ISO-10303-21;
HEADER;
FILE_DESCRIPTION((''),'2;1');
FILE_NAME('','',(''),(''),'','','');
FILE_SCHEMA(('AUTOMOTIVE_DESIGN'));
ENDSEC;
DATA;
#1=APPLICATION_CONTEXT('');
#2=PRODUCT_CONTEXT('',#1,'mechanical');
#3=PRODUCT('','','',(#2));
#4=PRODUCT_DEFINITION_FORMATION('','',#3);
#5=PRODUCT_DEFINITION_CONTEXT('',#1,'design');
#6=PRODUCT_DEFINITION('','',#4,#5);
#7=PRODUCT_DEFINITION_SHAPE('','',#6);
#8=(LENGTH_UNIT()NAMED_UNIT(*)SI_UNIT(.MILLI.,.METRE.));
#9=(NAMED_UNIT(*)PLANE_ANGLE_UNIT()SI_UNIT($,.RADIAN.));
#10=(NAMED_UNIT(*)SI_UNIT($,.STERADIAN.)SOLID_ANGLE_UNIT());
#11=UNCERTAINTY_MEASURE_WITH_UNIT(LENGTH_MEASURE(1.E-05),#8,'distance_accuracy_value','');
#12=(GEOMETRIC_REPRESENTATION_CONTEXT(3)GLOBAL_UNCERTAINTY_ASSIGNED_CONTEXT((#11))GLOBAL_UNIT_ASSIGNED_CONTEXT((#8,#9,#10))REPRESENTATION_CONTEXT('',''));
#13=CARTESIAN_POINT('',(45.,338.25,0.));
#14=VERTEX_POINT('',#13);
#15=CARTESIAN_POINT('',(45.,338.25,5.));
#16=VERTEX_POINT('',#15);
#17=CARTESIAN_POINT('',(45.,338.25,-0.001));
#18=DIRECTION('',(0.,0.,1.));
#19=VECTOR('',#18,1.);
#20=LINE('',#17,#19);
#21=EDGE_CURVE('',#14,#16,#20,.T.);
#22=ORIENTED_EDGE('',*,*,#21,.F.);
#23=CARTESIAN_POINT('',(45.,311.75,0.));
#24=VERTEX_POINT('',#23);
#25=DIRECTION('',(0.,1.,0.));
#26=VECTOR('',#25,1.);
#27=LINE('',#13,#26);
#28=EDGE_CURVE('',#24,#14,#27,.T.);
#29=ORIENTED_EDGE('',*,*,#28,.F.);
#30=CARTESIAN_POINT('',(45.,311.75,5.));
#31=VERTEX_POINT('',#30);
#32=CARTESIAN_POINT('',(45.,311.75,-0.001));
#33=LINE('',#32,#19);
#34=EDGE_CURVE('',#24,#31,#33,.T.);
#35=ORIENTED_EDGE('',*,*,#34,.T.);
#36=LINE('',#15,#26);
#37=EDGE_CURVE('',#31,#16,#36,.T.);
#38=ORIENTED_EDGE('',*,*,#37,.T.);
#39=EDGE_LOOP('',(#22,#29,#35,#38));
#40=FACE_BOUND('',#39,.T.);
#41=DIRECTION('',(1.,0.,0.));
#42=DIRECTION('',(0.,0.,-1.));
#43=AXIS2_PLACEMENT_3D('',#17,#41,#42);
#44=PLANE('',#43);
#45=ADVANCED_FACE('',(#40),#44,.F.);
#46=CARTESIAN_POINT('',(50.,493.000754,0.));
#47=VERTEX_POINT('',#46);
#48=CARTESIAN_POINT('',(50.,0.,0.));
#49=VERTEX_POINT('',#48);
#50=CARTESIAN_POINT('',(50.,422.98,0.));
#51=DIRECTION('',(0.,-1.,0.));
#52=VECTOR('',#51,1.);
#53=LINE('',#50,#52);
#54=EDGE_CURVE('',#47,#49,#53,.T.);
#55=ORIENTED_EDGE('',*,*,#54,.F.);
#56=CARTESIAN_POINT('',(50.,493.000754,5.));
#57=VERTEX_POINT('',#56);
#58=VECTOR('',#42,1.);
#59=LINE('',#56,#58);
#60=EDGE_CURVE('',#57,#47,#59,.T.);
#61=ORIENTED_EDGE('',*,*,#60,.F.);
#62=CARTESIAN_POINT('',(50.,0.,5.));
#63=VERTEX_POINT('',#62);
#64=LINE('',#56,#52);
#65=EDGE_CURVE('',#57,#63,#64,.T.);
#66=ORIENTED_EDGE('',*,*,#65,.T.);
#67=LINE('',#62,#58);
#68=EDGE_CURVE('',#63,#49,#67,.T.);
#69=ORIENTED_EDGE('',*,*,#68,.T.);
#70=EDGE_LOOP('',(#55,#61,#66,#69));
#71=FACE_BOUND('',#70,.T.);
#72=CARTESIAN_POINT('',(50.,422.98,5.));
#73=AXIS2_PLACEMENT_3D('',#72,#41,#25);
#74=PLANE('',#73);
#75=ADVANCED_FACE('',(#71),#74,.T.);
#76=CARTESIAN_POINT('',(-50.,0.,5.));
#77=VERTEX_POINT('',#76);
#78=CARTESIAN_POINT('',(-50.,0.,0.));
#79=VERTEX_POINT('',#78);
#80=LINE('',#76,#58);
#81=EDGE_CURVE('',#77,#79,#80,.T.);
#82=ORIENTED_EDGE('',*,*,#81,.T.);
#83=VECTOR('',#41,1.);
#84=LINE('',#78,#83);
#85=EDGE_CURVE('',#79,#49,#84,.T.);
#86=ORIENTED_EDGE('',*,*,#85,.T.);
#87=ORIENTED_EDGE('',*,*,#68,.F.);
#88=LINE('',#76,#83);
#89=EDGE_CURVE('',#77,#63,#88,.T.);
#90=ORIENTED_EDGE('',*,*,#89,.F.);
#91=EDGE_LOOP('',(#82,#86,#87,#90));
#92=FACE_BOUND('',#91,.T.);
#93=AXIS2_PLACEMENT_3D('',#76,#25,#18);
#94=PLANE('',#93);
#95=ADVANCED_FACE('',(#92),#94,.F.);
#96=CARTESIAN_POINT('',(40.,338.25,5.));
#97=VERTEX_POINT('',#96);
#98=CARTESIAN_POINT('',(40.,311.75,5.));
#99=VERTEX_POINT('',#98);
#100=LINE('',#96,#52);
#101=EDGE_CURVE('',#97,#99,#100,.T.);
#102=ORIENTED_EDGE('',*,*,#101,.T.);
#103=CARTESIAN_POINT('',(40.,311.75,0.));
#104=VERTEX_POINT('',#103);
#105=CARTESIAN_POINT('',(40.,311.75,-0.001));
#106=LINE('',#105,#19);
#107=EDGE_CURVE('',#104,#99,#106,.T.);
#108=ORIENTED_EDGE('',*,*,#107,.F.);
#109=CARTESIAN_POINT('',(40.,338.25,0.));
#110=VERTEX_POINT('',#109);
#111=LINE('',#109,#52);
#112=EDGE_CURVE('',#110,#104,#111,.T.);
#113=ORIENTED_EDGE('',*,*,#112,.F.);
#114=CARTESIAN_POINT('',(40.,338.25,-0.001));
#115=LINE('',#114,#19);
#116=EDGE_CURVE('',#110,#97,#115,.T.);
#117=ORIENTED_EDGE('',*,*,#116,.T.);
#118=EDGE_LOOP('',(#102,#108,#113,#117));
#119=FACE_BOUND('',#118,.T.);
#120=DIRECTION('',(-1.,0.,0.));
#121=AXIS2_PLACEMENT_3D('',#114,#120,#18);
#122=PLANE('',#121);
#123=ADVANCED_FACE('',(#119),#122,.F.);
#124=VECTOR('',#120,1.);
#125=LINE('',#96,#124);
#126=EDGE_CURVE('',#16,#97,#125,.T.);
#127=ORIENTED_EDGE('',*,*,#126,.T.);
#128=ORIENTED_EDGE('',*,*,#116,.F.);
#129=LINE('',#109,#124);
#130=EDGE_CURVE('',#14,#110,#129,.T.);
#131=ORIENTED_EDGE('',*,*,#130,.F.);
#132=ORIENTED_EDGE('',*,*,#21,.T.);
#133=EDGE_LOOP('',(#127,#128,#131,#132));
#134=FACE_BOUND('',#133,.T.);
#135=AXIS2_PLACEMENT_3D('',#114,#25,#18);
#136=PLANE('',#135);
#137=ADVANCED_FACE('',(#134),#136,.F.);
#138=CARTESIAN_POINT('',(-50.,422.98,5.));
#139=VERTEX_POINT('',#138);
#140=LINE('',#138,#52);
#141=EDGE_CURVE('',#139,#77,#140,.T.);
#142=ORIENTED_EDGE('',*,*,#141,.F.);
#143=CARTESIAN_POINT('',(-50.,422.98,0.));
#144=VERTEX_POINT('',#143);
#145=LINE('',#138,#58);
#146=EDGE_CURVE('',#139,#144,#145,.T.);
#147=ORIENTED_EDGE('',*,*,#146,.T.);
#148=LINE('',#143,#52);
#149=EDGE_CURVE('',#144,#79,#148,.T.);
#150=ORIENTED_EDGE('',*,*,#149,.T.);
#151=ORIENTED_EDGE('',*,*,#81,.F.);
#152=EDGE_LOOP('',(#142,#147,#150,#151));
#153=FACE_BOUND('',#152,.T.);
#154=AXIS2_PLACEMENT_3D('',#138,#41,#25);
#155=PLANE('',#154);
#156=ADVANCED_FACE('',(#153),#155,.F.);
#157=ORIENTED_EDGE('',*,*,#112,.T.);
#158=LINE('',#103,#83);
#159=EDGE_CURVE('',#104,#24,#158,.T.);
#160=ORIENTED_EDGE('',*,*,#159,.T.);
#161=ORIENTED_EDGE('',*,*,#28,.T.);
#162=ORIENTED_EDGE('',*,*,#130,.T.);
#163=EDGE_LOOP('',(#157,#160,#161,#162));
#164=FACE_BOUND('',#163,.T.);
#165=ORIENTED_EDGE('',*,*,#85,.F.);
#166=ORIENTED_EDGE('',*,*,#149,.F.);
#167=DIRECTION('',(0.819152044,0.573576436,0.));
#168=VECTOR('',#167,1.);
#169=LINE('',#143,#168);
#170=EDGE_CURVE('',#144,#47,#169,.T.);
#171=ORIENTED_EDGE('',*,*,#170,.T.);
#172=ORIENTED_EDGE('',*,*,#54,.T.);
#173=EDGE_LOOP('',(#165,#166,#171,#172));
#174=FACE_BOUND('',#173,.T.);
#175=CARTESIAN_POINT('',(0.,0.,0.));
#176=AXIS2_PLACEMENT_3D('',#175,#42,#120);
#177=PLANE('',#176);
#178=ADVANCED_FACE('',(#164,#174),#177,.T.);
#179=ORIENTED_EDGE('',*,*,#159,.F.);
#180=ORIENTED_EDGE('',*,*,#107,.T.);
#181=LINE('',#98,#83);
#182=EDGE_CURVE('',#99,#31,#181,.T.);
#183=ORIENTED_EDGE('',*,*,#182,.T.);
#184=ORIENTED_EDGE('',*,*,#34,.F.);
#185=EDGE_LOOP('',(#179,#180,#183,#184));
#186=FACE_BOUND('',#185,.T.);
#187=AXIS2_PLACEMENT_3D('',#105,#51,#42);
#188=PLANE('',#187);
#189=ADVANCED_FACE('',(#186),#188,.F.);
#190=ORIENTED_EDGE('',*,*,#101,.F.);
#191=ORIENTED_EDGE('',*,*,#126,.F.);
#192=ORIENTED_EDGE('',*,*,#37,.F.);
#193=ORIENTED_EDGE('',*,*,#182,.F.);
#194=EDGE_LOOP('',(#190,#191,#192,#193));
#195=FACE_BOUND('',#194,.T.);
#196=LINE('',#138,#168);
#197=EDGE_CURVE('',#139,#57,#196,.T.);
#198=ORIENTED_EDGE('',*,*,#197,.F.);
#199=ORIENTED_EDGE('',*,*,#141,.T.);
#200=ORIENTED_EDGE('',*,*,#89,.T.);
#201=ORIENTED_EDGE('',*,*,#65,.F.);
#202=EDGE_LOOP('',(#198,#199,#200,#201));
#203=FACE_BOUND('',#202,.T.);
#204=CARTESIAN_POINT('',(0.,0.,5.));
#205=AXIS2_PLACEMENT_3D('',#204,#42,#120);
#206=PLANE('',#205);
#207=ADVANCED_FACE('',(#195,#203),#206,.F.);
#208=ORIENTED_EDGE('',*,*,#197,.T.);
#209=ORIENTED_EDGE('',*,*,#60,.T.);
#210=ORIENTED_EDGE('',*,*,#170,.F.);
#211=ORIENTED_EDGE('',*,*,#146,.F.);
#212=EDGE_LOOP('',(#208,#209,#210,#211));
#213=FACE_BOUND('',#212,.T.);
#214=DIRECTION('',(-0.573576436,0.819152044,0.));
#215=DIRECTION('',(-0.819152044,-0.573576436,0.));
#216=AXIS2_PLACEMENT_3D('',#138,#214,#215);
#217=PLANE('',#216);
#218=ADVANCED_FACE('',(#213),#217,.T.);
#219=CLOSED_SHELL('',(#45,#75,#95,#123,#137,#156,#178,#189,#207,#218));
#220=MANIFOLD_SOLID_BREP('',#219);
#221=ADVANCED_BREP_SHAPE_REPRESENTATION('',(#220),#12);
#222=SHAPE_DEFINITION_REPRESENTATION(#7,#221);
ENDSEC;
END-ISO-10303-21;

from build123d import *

# Parameters (mm, degrees)
BOSS_EXTRUDE1_DEPTH = 5
CUT_EXTRUDE1_REACH  = 7
SKETCH3_W           = 5
SKETCH3_H           = 26.5


with BuildPart() as part:
    # Sketch2 → Boss-Extrude1 (new body)
    with BuildSketch(Plane.XY):
        Polygon((-50, 422.98), (-50, 0), (50, 0), (50, 422.98), (50, 493.000753821), align=None)
    extrude(amount=BOSS_EXTRUDE1_DEPTH)

    # Sketch3 → Cut-Extrude1 (cut, up to next)
    with BuildSketch(Plane.XY.offset(5), mode=Mode.PRIVATE) as cut_extrude1_sk1:
        with Locations((42.5, 325)):
            Rectangle(SKETCH3_W, SKETCH3_H)
    cut_extrude1_tool1 = extrude(cut_extrude1_sk1.sketch, amount=-CUT_EXTRUDE1_REACH, mode=Mode.PRIVATE) & part.part
    add(cut_extrude1_tool1.solids().sort_by_distance((42.5, 325, 5))[0], mode=Mode.SUBTRACT)


solid = part.part
